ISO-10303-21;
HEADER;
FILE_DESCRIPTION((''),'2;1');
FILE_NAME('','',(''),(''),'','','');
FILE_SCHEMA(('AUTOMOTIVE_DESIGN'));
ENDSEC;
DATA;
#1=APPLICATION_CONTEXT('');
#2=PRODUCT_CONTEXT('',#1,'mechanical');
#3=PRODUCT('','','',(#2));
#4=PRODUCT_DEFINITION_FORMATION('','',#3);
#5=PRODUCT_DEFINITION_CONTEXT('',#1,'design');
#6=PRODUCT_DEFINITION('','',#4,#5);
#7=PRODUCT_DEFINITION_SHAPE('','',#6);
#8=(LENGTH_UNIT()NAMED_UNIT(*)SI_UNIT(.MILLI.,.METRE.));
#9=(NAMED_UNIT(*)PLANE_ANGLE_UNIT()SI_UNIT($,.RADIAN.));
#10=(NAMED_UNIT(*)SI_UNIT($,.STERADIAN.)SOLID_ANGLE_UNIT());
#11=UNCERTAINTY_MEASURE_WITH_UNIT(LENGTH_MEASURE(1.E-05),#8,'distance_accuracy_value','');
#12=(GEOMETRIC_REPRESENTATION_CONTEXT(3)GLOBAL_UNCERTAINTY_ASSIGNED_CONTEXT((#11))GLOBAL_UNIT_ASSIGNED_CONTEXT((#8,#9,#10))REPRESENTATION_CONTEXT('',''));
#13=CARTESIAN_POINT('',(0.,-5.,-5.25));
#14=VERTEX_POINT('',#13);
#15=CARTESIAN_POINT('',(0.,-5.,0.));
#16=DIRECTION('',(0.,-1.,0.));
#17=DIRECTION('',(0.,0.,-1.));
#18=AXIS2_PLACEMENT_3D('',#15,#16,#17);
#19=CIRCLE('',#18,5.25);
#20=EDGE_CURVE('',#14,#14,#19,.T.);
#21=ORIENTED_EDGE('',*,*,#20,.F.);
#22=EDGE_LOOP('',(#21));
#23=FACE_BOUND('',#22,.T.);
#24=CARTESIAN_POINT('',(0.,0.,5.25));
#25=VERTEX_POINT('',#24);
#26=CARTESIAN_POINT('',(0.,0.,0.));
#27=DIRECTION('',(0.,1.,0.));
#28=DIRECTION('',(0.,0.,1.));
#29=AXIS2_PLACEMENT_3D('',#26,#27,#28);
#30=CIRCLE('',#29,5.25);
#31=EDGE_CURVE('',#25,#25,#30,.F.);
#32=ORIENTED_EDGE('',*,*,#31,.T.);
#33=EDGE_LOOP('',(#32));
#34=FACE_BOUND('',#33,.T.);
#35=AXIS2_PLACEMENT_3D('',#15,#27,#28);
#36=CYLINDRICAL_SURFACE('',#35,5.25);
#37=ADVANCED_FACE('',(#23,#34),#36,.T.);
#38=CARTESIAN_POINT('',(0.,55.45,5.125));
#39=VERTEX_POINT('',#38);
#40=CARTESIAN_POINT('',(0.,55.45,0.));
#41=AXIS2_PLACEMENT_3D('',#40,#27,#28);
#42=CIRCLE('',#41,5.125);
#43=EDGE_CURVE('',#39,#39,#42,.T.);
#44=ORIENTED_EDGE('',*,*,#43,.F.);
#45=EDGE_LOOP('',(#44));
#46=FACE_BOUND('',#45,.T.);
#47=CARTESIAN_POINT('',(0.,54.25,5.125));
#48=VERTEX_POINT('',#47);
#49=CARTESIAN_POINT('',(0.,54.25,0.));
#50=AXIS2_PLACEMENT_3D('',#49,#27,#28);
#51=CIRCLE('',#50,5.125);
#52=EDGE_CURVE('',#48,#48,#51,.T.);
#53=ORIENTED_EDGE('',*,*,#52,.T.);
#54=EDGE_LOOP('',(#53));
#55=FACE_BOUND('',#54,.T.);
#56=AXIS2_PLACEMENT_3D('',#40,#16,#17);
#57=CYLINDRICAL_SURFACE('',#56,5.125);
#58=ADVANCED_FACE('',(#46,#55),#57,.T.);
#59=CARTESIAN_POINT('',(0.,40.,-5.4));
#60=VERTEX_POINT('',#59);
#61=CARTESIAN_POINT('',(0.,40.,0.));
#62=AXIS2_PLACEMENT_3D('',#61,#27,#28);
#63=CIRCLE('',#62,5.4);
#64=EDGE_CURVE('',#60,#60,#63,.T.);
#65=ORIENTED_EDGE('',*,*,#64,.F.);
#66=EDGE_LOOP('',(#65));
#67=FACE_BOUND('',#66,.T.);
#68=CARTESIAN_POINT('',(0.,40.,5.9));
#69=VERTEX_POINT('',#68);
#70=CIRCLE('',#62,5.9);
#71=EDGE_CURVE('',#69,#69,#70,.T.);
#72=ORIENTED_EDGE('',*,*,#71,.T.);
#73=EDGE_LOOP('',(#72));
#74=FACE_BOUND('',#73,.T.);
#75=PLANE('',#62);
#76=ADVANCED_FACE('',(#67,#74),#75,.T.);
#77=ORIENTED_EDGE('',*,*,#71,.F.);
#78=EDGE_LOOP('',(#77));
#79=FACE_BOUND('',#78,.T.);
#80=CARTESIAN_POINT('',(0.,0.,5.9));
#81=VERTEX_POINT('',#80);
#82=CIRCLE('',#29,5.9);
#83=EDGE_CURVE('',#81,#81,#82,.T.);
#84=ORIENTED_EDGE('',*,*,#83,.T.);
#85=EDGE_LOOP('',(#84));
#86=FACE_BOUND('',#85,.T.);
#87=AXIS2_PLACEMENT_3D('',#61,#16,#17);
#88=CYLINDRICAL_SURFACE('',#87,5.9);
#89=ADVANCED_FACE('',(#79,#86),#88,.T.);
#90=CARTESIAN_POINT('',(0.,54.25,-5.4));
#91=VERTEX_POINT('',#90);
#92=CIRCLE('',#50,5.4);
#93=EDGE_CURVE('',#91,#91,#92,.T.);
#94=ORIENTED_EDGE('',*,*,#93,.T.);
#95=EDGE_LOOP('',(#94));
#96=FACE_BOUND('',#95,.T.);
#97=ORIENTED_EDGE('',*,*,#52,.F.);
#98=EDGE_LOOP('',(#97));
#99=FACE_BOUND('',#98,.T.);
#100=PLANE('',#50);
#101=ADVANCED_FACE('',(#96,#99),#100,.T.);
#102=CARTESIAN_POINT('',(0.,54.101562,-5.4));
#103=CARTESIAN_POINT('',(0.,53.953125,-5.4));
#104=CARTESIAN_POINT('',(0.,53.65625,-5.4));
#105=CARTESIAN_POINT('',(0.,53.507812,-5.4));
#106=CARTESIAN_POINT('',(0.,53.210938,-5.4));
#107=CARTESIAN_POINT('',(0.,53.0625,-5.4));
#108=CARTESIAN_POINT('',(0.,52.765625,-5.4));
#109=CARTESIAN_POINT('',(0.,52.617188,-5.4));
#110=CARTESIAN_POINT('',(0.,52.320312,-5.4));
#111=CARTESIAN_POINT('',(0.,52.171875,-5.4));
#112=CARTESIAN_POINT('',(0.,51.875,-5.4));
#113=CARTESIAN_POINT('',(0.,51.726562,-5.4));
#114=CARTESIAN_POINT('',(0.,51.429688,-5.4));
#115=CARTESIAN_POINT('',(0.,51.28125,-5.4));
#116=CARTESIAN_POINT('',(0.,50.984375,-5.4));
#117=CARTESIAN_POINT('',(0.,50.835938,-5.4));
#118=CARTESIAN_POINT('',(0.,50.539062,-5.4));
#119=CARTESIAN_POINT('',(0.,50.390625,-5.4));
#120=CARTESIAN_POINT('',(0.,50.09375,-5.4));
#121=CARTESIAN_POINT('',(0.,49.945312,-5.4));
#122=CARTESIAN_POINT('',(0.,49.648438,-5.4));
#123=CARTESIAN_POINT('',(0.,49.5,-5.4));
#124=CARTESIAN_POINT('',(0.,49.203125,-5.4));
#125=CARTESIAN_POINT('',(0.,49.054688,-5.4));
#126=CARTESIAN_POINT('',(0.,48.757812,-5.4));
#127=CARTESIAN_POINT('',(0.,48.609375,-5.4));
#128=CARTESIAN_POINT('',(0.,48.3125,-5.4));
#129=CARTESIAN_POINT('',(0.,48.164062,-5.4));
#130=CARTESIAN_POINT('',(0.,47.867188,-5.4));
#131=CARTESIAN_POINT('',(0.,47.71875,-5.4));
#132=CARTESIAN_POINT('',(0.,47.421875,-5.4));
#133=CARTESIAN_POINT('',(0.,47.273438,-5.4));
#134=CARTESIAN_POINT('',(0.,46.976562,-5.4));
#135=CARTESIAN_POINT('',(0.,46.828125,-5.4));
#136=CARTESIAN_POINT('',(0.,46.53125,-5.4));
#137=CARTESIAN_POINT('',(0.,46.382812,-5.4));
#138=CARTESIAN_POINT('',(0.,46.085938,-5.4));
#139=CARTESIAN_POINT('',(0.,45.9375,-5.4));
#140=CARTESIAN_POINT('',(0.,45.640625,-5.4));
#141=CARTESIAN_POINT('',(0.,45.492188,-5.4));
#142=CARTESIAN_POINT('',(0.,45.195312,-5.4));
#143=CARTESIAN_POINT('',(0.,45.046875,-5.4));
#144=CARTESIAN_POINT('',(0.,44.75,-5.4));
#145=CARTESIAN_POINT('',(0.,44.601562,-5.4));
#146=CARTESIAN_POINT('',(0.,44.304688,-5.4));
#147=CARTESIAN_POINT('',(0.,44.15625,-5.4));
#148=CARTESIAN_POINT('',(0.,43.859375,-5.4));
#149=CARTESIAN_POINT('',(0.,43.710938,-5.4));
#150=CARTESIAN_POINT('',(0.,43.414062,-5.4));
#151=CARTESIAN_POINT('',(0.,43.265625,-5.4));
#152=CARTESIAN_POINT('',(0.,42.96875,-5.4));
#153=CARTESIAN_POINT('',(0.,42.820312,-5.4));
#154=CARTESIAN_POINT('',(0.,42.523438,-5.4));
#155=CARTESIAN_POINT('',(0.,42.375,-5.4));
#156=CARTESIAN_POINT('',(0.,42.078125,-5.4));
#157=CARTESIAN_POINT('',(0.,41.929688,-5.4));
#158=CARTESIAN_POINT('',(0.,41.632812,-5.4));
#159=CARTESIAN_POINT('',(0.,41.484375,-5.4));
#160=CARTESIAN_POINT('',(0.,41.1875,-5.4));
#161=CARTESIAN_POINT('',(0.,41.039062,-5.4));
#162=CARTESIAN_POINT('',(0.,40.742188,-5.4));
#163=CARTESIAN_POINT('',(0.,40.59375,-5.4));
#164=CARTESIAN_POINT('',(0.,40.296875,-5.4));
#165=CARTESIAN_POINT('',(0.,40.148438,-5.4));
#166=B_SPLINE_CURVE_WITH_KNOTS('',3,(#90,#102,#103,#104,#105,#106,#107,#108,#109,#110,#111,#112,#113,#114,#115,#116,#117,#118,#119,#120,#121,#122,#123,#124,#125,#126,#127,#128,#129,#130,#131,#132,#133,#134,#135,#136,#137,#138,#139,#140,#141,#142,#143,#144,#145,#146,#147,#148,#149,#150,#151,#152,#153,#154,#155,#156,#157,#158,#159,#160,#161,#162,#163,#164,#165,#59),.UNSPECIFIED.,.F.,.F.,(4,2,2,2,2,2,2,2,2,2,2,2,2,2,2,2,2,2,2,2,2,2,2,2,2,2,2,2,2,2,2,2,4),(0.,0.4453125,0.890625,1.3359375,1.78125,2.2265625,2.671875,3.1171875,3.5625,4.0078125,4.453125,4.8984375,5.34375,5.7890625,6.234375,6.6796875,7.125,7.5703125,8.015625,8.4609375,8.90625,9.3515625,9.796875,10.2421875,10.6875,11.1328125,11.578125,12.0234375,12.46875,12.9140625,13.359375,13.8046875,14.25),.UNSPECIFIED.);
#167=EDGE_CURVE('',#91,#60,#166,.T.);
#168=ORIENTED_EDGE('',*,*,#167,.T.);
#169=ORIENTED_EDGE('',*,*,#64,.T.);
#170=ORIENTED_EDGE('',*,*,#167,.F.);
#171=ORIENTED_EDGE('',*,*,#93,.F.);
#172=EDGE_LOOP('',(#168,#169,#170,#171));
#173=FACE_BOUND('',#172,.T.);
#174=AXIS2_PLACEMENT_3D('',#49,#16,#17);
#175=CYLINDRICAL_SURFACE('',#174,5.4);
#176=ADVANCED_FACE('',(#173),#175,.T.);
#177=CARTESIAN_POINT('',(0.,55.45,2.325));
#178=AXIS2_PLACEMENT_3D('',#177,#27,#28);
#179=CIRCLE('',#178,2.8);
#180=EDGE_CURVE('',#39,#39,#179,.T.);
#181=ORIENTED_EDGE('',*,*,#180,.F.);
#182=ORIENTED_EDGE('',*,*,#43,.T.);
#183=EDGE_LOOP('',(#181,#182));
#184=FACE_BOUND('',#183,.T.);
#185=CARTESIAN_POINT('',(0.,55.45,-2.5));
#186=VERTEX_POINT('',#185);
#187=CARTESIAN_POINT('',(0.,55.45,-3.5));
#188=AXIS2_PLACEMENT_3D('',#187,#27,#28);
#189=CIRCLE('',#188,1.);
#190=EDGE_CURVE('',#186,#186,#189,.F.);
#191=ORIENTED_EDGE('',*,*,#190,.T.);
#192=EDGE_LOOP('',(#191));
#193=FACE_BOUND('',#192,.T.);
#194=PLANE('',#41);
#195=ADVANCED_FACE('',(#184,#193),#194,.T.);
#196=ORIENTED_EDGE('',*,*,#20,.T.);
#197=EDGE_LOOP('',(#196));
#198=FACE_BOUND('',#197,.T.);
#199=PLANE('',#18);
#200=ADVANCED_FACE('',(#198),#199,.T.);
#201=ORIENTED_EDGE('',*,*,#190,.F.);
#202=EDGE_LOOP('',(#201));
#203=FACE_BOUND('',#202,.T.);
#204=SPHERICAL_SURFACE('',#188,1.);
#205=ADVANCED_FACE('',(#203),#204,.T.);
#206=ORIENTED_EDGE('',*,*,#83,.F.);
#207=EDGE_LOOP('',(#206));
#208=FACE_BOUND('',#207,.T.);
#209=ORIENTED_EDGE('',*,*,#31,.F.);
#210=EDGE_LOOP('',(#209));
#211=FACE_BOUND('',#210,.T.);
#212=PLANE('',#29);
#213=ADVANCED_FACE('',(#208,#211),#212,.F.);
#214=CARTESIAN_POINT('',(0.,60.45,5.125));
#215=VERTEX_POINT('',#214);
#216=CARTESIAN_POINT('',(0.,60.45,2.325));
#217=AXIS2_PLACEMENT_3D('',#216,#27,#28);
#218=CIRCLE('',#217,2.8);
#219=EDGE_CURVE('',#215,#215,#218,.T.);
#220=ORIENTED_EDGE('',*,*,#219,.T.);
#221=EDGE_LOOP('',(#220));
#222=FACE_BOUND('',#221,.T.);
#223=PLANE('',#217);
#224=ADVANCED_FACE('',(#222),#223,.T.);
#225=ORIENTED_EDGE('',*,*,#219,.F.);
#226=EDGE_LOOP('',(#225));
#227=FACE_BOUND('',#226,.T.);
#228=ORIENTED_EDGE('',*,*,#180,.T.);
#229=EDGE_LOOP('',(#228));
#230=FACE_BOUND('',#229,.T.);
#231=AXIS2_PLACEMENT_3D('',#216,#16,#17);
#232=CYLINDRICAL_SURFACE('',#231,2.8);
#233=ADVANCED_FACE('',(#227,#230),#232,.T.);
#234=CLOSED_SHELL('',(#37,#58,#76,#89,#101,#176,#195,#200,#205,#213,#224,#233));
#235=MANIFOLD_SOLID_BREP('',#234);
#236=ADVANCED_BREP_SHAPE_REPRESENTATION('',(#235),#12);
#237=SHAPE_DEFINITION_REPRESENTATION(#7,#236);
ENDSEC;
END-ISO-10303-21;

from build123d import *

# Parameters (mm, degrees)
CROQUIS1_R              = 5.9
SALIENTE_EXTRUIR1_DEPTH = 40
CROQUIS2_R              = 5.4
SALIENTE_EXTRUIR2_DEPTH = 14.25
CROQUIS3_R              = 5.125
SALIENTE_EXTRUIR3_DEPTH = 1.2
CROQUIS4_R              = 2.8
SALIENTE_EXTRUIR4_DEPTH = 5
CROQUIS6_R              = 5.25
SALIENTE_EXTRUIR6_DEPTH = 5


with BuildPart() as part:
    # Croquis1 → Saliente-Extruir1 (new body)
    with BuildSketch(Plane(origin=(0, 0, 0), x_dir=(1, 0, 0), z_dir=(0, 1, 0))):
        with Locations(Location((0, 0, 0), (0, 0, 270))):
            Circle(CROQUIS1_R)
    extrude(amount=SALIENTE_EXTRUIR1_DEPTH)

    # Croquis2 → Saliente-Extruir2 (add)
    with BuildSketch(Plane(origin=(0, 40, 0), x_dir=(1, 0, 0), z_dir=(0, 1, 0))):
        with Locations(Location((0, 0, 0), (0, 0, 90))):
            Circle(CROQUIS2_R)
    extrude(amount=SALIENTE_EXTRUIR2_DEPTH)

    # Croquis3 → Saliente-Extruir3 (add)
    with BuildSketch(Plane(origin=(0, 54.25, 0), x_dir=(1, 0, 0), z_dir=(0, 1, 0))):
        with Locations(Location((0, 0, 0), (0, 0, 270))):
            Circle(CROQUIS3_R)
    extrude(amount=SALIENTE_EXTRUIR3_DEPTH)

    # Croquis4 → Saliente-Extruir4 (add)
    with BuildSketch(Plane(origin=(0, 55.45, 0), x_dir=(1, 0, 0), z_dir=(0, 1, 0))):
        with Locations(Location((0, -2.325, 0), (0, 0, 270))):
            Circle(CROQUIS4_R)
    extrude(amount=SALIENTE_EXTRUIR4_DEPTH)

    # Croquis6 → Saliente-Extruir6 (add)
    with BuildSketch(Plane.XZ):
        with Locations(Location((0, 0, 0), (0, 0, 90))):
            Circle(CROQUIS6_R)
    extrude(amount=SALIENTE_EXTRUIR6_DEPTH)

    # Croquis7 → Revolución1 (revolve)
    with BuildSketch(Plane(origin=(0, 55.45, 0), x_dir=(1, 0, 0), z_dir=(0, 1, 0))):
        with BuildLine():
            Line((0, 2.5), (0, 4.5))
            ThreePointArc((0, 4.5), (-1, 3.5), (0, 2.5))
        make_face()
    revolve(axis=Axis((0, 55.45, -2.5), (0, 0, -1)))


solid = part.part
